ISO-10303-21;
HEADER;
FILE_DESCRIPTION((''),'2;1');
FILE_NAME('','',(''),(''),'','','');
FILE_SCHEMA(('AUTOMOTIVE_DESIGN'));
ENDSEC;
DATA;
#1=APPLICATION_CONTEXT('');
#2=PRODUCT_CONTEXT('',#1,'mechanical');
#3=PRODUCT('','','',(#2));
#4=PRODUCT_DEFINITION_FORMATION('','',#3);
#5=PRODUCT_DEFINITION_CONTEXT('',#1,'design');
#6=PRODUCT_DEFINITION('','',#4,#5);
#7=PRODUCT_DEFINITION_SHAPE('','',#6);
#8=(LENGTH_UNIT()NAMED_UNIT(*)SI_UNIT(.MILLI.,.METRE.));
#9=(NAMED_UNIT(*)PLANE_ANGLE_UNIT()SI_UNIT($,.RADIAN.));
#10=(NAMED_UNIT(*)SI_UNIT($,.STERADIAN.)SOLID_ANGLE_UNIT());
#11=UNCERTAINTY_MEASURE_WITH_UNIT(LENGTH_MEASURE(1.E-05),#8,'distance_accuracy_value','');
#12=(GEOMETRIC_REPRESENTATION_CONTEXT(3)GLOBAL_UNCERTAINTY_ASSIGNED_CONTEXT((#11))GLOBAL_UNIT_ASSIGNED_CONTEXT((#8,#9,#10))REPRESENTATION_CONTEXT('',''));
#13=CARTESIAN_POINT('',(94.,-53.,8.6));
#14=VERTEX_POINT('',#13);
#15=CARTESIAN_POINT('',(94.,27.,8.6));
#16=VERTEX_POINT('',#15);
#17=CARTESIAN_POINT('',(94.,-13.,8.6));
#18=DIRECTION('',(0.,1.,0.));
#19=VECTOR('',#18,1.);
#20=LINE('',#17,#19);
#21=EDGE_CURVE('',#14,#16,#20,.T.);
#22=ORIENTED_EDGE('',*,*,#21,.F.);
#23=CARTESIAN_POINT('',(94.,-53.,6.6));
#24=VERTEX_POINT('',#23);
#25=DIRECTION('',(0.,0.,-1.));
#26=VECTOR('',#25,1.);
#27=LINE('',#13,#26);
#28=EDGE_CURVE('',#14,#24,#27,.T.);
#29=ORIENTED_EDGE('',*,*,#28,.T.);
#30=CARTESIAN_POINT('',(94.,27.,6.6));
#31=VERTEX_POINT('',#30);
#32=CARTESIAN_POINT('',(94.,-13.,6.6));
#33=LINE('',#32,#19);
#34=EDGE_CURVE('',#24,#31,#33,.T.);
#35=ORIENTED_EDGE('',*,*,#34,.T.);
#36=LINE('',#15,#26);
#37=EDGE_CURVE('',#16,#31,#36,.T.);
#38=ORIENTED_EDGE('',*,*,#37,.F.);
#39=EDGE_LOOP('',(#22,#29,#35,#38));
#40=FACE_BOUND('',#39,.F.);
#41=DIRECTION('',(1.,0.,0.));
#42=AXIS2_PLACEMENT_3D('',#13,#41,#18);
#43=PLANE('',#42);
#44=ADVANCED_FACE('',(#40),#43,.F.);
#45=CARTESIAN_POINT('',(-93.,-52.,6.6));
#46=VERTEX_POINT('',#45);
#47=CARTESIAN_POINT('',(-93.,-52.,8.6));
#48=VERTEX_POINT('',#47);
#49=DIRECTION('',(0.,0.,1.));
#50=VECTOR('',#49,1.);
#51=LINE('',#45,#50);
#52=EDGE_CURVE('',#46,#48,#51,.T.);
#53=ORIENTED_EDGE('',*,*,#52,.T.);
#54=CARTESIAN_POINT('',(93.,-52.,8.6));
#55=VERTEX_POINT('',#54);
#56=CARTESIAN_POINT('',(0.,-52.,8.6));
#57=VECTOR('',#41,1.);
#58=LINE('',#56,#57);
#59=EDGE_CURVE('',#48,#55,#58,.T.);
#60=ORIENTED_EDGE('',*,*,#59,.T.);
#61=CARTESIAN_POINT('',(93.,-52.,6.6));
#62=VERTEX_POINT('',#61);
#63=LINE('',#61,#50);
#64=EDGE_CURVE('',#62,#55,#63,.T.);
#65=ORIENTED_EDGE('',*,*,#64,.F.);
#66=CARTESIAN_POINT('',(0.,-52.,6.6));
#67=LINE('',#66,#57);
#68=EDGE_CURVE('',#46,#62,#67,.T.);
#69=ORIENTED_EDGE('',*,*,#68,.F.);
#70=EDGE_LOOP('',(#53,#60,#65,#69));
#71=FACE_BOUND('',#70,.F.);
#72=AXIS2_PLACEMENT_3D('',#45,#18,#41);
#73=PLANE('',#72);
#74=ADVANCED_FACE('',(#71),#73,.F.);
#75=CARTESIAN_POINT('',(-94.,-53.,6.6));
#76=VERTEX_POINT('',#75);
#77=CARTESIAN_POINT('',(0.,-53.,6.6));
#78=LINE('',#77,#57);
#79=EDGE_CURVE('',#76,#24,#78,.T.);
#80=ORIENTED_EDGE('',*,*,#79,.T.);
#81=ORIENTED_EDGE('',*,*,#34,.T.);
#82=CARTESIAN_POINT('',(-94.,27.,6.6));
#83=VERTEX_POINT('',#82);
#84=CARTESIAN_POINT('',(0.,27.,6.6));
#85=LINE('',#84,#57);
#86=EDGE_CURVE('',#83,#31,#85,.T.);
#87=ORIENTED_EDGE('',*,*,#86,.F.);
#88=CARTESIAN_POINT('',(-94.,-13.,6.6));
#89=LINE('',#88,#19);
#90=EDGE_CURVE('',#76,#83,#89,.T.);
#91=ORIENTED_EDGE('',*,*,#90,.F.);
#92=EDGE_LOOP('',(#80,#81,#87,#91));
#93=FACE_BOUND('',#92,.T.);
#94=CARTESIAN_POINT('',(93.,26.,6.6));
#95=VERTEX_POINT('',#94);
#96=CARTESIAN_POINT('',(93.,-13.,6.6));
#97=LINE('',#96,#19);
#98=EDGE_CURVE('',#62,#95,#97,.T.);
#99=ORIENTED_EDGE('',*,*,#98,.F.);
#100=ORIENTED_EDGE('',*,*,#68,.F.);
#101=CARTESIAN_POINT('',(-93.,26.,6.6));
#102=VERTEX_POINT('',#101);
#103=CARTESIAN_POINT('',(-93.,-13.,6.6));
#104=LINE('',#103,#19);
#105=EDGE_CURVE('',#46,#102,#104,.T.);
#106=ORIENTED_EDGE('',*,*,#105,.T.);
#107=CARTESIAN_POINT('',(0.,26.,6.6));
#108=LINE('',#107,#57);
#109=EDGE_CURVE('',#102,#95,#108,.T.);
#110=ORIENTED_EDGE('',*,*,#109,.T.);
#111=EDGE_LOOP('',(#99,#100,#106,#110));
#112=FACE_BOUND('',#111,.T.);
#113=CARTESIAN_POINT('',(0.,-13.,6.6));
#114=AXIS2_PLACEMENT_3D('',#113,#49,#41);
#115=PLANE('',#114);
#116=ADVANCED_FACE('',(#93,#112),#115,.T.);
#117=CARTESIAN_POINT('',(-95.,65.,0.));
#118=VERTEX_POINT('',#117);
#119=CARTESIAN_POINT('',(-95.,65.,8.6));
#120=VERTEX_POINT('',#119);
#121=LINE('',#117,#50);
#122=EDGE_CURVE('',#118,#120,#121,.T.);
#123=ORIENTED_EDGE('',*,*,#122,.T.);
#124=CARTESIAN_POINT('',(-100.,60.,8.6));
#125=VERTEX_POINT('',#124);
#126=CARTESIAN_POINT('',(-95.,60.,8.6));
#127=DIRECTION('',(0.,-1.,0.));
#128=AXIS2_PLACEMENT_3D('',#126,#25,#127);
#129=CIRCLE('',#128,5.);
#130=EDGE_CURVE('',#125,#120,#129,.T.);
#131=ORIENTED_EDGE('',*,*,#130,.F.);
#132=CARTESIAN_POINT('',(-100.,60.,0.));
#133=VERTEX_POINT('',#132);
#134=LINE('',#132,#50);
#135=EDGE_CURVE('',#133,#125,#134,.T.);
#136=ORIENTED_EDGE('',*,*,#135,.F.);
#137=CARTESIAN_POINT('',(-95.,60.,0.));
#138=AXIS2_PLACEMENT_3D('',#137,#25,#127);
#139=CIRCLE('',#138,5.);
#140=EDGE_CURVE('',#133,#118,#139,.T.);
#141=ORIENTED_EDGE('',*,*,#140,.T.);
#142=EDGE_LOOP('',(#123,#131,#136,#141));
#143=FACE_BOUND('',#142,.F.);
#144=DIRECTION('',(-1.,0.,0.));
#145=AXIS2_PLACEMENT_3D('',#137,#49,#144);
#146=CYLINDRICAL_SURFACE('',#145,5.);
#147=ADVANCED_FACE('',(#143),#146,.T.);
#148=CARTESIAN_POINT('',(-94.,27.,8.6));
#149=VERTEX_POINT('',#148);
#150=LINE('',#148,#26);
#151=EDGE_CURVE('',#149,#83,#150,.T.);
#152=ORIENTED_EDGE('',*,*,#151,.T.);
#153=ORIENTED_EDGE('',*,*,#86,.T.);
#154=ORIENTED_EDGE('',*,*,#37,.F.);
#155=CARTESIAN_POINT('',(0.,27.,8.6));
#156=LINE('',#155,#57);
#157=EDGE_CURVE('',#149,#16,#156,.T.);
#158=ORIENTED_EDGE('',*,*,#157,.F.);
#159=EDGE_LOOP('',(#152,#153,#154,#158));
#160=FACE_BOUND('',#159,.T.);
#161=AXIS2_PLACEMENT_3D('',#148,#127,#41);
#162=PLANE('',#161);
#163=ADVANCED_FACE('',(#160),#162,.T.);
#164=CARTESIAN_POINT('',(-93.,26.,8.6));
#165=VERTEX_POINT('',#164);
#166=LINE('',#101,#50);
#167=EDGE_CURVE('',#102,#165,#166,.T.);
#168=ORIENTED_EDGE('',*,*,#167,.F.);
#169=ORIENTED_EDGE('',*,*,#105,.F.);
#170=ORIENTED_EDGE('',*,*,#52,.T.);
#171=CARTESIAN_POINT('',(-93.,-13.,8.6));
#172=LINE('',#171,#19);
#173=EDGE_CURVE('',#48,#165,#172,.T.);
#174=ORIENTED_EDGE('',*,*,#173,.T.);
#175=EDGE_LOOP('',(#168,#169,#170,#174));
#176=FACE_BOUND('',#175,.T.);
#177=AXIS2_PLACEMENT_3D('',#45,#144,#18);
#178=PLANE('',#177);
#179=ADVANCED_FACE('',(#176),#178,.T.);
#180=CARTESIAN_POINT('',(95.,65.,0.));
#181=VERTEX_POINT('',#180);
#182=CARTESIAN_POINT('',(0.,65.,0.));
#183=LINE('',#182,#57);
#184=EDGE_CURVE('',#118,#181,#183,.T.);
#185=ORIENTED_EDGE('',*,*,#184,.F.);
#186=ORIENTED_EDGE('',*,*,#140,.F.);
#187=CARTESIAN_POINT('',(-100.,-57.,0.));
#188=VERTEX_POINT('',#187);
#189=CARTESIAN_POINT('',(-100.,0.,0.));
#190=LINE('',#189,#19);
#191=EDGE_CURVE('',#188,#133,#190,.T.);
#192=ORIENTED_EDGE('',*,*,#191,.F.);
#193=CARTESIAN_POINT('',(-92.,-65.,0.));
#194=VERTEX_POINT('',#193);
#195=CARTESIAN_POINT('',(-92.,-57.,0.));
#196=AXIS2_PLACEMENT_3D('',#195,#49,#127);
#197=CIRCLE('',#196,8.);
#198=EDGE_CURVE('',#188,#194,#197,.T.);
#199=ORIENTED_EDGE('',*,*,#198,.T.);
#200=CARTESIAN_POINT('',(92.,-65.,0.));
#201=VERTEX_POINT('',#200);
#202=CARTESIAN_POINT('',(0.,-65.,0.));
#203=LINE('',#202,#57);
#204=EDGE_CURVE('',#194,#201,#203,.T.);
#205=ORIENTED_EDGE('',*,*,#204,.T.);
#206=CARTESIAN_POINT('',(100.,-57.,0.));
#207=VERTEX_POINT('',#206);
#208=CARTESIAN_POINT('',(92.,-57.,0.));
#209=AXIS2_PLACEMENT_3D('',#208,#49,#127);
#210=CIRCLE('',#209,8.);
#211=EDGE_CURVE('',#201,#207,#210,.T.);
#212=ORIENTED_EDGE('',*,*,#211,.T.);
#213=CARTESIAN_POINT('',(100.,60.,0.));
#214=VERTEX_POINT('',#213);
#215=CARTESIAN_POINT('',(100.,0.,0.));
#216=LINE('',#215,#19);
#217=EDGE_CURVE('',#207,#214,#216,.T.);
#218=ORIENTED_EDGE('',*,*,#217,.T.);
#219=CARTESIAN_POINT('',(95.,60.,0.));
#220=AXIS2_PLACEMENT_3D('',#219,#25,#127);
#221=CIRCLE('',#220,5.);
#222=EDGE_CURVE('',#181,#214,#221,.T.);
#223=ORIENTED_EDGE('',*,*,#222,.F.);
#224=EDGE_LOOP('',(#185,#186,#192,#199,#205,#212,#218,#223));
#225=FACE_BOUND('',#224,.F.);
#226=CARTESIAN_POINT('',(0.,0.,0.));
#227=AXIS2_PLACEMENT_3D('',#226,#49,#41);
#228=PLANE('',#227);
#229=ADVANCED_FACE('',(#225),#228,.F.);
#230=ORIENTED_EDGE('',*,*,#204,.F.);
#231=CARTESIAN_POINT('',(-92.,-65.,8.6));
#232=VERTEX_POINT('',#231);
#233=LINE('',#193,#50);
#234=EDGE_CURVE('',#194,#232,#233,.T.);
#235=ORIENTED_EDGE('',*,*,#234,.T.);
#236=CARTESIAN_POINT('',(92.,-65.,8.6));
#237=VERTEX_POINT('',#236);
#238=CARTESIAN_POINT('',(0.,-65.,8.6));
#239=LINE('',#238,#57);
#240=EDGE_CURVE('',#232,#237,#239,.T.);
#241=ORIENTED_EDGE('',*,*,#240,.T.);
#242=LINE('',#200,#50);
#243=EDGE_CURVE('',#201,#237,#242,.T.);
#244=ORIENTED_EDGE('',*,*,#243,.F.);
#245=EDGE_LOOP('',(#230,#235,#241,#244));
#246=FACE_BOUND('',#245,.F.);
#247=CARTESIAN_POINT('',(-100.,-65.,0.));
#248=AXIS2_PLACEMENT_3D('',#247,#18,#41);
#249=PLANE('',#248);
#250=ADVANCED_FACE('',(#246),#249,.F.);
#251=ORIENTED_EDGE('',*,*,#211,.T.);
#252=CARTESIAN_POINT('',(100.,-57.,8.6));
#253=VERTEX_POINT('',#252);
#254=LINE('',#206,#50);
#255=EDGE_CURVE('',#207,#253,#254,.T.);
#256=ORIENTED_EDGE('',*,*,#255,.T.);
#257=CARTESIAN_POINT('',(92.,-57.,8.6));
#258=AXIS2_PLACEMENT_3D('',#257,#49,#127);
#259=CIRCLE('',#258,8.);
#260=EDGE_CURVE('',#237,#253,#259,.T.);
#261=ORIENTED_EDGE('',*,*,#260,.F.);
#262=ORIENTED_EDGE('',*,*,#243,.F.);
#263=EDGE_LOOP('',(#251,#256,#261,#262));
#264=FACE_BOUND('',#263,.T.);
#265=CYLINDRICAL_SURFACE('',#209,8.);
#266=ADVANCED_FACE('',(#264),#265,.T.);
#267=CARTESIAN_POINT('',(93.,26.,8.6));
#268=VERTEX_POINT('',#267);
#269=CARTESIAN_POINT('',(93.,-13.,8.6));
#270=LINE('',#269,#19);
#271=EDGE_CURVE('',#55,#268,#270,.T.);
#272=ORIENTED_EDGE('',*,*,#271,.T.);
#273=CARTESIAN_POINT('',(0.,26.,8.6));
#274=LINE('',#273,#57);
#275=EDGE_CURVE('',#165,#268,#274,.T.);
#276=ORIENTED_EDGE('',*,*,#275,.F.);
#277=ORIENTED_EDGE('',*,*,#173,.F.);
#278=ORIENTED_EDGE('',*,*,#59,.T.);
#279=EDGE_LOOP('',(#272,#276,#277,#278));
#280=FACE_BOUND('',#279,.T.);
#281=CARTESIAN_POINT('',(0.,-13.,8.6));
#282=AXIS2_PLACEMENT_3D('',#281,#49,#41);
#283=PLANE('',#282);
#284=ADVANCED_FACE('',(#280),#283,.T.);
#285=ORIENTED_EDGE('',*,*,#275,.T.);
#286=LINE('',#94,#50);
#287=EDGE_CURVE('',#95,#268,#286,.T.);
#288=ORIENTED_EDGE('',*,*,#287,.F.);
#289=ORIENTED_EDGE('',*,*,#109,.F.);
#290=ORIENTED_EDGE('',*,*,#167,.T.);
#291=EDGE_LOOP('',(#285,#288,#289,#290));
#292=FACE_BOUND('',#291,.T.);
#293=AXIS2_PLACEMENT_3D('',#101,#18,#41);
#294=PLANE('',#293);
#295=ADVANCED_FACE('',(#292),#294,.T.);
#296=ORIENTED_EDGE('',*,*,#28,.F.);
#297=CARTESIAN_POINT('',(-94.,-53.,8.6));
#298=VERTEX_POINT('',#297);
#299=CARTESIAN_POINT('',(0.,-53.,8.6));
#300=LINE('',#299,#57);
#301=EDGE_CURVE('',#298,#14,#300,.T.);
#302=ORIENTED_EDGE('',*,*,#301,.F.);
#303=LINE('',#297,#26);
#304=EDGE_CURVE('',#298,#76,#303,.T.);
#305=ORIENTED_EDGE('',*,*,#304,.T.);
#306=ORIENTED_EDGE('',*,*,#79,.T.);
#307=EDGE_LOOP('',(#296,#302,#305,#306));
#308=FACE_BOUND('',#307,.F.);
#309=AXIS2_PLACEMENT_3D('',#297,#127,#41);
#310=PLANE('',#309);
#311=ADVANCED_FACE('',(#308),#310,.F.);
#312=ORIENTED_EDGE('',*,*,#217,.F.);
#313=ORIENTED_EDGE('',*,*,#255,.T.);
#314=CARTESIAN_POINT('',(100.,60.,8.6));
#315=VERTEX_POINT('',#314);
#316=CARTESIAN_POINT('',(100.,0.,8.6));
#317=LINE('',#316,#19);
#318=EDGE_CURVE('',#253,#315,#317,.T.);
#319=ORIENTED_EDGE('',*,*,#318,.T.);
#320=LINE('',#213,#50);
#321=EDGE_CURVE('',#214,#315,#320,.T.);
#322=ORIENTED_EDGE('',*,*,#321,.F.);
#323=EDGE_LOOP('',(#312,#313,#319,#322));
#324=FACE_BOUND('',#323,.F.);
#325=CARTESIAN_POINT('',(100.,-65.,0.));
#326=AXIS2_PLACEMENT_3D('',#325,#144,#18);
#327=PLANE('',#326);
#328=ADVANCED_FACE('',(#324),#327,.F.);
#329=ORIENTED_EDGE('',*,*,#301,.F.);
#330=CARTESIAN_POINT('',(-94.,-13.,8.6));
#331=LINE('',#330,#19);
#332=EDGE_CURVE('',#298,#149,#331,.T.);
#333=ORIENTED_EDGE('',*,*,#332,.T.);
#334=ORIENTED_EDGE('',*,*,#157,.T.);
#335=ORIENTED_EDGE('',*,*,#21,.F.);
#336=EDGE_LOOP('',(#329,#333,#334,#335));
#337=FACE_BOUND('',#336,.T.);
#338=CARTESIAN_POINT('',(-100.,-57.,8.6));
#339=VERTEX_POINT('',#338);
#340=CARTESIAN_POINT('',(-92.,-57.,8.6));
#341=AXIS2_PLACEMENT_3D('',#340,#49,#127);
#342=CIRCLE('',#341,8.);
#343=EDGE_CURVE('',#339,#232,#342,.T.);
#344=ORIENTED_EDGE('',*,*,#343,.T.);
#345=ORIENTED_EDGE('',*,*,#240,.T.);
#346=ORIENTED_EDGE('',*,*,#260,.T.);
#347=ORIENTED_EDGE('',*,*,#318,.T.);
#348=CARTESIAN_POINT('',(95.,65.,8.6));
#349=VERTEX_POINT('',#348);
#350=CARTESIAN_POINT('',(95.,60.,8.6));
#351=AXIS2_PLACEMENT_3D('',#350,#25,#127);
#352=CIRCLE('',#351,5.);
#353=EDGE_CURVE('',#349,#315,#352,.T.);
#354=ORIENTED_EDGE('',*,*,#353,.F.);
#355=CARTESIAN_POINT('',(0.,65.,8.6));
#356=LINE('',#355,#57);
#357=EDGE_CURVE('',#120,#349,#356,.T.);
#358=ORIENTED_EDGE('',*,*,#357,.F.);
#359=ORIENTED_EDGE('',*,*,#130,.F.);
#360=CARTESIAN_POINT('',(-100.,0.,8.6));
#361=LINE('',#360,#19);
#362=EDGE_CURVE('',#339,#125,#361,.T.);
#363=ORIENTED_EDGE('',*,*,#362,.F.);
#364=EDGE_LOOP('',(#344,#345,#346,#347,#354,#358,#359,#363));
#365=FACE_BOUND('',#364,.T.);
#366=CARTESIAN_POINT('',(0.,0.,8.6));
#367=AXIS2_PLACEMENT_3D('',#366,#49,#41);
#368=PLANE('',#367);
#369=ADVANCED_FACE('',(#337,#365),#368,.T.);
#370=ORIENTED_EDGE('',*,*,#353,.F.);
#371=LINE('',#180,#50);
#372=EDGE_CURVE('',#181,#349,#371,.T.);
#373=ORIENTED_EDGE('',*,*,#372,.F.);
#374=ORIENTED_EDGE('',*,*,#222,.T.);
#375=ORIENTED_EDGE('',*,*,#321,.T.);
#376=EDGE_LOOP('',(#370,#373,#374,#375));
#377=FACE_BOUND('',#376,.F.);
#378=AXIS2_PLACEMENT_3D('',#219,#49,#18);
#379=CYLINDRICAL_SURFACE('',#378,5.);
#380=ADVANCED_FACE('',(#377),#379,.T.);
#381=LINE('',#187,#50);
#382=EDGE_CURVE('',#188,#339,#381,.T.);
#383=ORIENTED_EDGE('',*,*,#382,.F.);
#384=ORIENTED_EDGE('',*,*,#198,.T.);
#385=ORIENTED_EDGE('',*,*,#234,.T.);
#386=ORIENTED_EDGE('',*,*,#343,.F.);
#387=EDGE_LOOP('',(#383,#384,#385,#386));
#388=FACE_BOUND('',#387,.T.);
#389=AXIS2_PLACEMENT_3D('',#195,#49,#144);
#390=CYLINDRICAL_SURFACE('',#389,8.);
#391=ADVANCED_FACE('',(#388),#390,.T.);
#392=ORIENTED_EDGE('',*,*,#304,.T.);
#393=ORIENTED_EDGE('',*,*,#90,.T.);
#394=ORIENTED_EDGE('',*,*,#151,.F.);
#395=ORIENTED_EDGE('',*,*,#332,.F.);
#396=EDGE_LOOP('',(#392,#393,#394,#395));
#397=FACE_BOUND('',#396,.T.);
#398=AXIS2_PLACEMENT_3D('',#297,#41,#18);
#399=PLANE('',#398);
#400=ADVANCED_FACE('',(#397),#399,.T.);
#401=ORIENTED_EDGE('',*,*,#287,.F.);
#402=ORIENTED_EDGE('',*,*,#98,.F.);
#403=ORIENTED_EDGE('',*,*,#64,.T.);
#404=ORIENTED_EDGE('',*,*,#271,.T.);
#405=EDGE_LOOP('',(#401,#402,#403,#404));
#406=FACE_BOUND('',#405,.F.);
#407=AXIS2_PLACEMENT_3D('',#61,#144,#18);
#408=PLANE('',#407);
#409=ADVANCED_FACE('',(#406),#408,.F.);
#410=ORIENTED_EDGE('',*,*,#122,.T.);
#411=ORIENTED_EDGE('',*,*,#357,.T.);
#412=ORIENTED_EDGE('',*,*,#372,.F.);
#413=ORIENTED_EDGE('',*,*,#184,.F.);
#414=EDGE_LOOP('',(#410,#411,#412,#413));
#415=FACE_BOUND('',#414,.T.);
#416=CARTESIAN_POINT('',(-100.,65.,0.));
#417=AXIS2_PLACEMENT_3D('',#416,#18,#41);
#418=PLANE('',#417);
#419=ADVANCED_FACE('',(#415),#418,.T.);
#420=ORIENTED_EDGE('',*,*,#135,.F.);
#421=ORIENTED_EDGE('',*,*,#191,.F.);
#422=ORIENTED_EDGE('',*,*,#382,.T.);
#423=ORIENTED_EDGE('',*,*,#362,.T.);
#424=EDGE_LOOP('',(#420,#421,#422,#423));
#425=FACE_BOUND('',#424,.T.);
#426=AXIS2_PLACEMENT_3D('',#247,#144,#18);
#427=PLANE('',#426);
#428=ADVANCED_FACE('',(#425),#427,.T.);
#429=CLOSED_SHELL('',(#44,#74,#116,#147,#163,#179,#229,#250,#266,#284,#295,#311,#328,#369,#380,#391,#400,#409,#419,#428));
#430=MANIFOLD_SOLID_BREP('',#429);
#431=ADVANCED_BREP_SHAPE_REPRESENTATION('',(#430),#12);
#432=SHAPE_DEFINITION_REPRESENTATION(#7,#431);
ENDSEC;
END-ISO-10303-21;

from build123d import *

# Parameters (mm, degrees)
F0_W     = 200
F0_H     = 130
F1_DEPTH = 8.6
F2_R     = 8
F3_R     = 5
F4_W     = 188
F4_H     = 80
F5_DEPTH = 2
F6_W     = 186
F6_H     = 78
F7_DEPTH = 2


with BuildPart() as f1:
    # F0 (on Top) → F1 (new body)
    with BuildSketch(Plane.XY):
        Rectangle(F0_W, F0_H)
    extrude(amount=F1_DEPTH)

    # F2
    f2_edges = [f1.edges().sort_by_distance(p)[0] for p in [
        (-100, -65, 4.3),
        (100, -65, 4.3),
    ]]
    fillet(f2_edges, radius=F2_R)

    # F3
    f3_edges = [f1.edges().sort_by_distance(p)[0] for p in [
        (100, 65, 4.3),
        (-100, 65, 4.3),
    ]]
    fillet(f3_edges, radius=F3_R)

    # F4 (on face) → F5 (cut)
    with BuildSketch(Plane.XY.offset(8.6)):
        with Locations((0, -13)):
            Rectangle(F4_W, F4_H)
    extrude(amount=-F5_DEPTH, mode=Mode.SUBTRACT)

    # F6 (on face) → F7 (join, through all)
    with BuildSketch(Plane.XY.offset(6.6)):
        with Locations((0, -13)):
            Rectangle(F6_W, F6_H)
    extrude(amount=F7_DEPTH)


solid = f1.part
